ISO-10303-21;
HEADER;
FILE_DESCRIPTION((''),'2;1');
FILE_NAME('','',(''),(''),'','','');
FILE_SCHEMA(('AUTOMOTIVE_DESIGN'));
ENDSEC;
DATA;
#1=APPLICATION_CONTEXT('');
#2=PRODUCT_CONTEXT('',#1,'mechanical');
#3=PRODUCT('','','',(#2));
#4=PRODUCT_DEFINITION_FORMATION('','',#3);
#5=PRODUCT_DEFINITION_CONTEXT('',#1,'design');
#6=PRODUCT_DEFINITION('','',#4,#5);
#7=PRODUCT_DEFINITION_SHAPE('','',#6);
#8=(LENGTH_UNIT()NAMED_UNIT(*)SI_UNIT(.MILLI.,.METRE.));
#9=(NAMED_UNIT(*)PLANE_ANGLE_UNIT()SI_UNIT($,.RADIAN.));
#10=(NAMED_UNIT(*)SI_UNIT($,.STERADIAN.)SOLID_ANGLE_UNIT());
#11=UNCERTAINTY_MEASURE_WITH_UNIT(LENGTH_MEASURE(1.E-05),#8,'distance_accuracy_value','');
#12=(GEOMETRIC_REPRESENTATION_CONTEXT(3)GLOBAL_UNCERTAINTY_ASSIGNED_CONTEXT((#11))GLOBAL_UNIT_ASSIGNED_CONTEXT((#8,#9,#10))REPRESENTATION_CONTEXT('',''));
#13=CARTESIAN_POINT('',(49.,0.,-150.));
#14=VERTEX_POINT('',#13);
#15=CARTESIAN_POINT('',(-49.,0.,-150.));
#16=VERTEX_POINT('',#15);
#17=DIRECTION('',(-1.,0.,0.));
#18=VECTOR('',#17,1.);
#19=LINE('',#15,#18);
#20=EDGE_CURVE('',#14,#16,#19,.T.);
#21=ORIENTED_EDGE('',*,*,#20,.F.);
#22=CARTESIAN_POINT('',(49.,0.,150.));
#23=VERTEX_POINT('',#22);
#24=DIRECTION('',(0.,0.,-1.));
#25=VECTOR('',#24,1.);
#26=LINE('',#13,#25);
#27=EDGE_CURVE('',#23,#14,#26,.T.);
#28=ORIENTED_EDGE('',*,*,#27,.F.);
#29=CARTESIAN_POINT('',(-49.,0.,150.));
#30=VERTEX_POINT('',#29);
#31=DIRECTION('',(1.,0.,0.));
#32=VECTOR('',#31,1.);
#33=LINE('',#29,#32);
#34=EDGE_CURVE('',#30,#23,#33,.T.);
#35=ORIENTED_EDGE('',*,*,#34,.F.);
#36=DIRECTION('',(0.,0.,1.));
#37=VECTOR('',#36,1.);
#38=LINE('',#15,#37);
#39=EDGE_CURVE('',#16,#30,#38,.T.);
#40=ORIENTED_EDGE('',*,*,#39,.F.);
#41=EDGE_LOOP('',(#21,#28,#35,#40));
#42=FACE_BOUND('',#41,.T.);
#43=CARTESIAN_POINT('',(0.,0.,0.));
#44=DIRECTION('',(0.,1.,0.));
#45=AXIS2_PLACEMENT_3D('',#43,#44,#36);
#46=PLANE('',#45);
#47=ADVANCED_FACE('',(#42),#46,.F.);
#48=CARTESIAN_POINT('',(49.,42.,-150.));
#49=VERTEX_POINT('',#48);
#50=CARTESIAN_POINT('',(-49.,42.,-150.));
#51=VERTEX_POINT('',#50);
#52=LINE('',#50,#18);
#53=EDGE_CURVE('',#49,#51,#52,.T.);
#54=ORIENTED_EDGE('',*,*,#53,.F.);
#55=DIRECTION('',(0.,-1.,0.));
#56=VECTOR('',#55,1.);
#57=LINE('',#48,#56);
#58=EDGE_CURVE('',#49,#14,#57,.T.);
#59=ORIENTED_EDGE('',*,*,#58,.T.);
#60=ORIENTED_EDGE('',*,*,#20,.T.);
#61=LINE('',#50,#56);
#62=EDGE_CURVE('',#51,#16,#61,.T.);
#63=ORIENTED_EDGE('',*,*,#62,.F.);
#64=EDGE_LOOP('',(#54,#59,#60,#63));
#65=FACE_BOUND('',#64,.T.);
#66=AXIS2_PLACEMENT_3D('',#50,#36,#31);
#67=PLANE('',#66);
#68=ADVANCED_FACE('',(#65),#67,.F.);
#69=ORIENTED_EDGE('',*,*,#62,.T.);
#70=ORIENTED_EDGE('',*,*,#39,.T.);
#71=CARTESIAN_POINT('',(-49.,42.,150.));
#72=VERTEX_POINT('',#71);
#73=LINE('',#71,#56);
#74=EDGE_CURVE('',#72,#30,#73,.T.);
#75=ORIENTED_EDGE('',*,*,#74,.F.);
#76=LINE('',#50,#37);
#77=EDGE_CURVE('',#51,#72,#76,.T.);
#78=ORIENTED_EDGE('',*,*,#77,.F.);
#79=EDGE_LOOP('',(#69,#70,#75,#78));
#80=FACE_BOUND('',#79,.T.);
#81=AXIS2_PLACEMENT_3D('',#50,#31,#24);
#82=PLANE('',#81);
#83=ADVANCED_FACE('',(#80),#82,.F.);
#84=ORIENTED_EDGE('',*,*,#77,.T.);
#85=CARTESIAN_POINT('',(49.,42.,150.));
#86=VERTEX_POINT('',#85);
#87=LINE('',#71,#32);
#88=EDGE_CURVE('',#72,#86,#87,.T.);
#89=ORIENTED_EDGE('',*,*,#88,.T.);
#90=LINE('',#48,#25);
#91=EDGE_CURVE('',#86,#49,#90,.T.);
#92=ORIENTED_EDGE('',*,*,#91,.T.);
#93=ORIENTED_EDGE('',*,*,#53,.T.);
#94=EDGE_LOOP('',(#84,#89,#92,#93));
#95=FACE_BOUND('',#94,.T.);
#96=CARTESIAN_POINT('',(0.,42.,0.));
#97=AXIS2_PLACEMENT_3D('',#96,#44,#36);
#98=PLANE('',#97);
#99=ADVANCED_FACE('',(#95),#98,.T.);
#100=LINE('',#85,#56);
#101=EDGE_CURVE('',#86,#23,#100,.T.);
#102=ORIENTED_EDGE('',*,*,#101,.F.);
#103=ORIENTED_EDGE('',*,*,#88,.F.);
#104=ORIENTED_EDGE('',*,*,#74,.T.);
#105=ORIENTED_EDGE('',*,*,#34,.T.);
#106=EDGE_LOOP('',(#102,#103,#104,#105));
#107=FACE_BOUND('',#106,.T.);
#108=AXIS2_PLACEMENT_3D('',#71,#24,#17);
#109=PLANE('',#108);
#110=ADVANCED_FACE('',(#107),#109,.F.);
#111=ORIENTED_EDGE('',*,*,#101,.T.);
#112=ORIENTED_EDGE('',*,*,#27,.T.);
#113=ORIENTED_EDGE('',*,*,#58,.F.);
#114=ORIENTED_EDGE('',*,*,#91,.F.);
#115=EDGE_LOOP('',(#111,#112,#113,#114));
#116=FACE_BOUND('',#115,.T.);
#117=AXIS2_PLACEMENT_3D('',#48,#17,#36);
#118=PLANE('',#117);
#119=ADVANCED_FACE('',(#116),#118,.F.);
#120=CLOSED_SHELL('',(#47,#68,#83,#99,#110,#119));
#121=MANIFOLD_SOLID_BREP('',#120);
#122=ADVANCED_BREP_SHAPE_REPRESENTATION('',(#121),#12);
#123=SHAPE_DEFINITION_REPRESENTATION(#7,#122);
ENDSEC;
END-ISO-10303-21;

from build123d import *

# Parameters (mm, degrees)
ESBO_O1_W                = 98
ESBO_O1_H                = 300
RESSALTO_EXTRUS_O1_DEPTH = 42


with BuildPart() as part:
    # Esboço1 → Ressalto-extrusão1 (new body)
    with BuildSketch(Plane(origin=(0, 0, 0), x_dir=(1, 0, 0), z_dir=(0, 1, 0))):
        Rectangle(ESBO_O1_W, ESBO_O1_H)
    extrude(amount=RESSALTO_EXTRUS_O1_DEPTH)


solid = part.part
